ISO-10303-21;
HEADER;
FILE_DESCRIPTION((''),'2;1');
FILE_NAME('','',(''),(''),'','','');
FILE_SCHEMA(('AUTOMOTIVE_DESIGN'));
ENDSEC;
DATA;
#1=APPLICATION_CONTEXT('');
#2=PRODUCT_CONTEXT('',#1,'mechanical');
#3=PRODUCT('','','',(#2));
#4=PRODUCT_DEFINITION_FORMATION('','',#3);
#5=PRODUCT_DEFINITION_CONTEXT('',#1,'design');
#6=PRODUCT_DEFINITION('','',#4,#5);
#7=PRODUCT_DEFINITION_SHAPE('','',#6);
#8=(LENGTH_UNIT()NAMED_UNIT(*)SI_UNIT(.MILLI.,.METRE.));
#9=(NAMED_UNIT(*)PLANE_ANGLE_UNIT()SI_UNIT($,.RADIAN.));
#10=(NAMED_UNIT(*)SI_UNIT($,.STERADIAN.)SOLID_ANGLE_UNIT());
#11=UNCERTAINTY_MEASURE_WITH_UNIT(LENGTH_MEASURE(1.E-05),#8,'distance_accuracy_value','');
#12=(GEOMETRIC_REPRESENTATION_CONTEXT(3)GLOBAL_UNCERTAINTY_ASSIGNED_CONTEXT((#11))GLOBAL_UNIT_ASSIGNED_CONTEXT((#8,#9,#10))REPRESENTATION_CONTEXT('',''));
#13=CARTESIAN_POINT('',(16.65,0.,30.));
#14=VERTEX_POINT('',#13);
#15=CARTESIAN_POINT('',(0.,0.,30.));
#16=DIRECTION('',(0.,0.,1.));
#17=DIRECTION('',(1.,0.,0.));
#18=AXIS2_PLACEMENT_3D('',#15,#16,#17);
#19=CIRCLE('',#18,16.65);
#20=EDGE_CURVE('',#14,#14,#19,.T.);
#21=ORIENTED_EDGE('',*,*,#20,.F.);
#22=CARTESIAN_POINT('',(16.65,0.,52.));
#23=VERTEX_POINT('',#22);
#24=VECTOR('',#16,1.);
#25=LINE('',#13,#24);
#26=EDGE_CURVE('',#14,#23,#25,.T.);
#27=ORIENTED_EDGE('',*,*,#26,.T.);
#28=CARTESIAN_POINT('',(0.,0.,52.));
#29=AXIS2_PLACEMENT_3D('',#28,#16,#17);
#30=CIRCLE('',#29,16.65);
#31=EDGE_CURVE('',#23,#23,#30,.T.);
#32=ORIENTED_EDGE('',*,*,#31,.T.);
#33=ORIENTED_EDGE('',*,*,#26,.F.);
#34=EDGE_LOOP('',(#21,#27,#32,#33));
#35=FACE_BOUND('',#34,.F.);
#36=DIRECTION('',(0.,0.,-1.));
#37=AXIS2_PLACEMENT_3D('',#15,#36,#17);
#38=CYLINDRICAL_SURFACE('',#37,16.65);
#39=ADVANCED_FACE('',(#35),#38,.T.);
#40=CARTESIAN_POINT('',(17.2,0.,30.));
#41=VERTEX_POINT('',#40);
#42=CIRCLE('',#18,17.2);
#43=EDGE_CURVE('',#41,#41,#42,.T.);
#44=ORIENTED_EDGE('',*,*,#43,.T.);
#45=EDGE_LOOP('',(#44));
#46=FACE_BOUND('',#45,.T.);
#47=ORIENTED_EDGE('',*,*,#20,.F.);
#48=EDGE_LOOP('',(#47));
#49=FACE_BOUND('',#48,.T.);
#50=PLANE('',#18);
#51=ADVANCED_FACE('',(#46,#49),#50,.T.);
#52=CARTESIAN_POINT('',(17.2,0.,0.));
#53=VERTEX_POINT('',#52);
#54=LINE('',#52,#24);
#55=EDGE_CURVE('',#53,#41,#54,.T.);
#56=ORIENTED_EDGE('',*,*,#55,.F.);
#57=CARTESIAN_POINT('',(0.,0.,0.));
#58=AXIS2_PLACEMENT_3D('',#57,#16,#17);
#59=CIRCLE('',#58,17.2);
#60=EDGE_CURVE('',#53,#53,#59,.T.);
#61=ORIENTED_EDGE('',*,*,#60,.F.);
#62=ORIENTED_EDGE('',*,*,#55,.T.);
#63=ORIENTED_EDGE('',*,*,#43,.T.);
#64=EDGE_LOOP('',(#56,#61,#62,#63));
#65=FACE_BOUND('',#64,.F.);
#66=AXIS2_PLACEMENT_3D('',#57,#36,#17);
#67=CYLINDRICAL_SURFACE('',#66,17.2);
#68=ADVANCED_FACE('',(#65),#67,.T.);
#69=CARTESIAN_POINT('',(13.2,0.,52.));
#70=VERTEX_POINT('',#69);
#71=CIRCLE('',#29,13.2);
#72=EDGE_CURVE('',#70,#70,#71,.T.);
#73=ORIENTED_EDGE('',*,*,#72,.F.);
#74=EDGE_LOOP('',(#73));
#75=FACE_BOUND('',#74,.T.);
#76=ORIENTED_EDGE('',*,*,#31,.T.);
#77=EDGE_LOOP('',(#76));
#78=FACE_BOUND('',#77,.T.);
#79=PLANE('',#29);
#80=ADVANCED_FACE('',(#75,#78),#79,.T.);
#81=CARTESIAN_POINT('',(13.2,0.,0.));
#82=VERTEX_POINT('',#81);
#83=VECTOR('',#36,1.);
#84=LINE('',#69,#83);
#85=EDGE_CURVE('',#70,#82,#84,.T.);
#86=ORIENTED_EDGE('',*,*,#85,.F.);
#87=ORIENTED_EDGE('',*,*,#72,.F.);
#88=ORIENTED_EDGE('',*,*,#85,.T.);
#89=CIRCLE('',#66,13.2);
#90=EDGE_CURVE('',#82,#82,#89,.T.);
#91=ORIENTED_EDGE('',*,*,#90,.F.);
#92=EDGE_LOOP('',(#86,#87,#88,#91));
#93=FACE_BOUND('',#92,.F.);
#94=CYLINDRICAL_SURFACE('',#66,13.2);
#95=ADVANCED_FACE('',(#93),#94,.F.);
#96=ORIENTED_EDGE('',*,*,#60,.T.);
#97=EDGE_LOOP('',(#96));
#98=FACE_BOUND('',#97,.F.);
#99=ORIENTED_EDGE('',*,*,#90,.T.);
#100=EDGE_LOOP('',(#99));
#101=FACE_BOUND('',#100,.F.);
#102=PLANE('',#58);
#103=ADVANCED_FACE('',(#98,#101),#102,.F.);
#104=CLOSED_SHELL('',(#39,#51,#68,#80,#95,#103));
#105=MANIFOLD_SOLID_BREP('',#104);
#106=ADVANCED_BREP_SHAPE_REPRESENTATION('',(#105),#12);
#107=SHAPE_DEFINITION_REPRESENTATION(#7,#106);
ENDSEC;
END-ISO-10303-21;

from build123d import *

# Parameters (mm, degrees)
F0_R     = 17.2
F1_DEPTH = 30
F2_R     = 16.65
F3_DEPTH = 22
F4_R     = 13.2
F5_DEPTH = 25
F6_R     = 13.2
F7_DEPTH = 30


with BuildPart() as f1:
    # F0 (on Top) → F1 (new body)
    with BuildSketch(Plane.XY):
        Circle(F0_R)
    extrude(amount=F1_DEPTH)

    # F2 (on face) → F3 (join)
    with BuildSketch(Plane.XY.offset(30)):
        Circle(F2_R)
    extrude(amount=F3_DEPTH)

    # F4 (on face) → F5 (cut)
    with BuildSketch(Plane.XY.offset(52)):
        Circle(F4_R)
    extrude(amount=-F5_DEPTH, mode=Mode.SUBTRACT)

    # F6 (on face) → F7 (cut)
    with BuildSketch(Plane(origin=(0, 0, 0), x_dir=(1, 0, 0), z_dir=(0, 0, -1))):
        Circle(F6_R)
    extrude(amount=-F7_DEPTH, mode=Mode.SUBTRACT)


solid = f1.part
